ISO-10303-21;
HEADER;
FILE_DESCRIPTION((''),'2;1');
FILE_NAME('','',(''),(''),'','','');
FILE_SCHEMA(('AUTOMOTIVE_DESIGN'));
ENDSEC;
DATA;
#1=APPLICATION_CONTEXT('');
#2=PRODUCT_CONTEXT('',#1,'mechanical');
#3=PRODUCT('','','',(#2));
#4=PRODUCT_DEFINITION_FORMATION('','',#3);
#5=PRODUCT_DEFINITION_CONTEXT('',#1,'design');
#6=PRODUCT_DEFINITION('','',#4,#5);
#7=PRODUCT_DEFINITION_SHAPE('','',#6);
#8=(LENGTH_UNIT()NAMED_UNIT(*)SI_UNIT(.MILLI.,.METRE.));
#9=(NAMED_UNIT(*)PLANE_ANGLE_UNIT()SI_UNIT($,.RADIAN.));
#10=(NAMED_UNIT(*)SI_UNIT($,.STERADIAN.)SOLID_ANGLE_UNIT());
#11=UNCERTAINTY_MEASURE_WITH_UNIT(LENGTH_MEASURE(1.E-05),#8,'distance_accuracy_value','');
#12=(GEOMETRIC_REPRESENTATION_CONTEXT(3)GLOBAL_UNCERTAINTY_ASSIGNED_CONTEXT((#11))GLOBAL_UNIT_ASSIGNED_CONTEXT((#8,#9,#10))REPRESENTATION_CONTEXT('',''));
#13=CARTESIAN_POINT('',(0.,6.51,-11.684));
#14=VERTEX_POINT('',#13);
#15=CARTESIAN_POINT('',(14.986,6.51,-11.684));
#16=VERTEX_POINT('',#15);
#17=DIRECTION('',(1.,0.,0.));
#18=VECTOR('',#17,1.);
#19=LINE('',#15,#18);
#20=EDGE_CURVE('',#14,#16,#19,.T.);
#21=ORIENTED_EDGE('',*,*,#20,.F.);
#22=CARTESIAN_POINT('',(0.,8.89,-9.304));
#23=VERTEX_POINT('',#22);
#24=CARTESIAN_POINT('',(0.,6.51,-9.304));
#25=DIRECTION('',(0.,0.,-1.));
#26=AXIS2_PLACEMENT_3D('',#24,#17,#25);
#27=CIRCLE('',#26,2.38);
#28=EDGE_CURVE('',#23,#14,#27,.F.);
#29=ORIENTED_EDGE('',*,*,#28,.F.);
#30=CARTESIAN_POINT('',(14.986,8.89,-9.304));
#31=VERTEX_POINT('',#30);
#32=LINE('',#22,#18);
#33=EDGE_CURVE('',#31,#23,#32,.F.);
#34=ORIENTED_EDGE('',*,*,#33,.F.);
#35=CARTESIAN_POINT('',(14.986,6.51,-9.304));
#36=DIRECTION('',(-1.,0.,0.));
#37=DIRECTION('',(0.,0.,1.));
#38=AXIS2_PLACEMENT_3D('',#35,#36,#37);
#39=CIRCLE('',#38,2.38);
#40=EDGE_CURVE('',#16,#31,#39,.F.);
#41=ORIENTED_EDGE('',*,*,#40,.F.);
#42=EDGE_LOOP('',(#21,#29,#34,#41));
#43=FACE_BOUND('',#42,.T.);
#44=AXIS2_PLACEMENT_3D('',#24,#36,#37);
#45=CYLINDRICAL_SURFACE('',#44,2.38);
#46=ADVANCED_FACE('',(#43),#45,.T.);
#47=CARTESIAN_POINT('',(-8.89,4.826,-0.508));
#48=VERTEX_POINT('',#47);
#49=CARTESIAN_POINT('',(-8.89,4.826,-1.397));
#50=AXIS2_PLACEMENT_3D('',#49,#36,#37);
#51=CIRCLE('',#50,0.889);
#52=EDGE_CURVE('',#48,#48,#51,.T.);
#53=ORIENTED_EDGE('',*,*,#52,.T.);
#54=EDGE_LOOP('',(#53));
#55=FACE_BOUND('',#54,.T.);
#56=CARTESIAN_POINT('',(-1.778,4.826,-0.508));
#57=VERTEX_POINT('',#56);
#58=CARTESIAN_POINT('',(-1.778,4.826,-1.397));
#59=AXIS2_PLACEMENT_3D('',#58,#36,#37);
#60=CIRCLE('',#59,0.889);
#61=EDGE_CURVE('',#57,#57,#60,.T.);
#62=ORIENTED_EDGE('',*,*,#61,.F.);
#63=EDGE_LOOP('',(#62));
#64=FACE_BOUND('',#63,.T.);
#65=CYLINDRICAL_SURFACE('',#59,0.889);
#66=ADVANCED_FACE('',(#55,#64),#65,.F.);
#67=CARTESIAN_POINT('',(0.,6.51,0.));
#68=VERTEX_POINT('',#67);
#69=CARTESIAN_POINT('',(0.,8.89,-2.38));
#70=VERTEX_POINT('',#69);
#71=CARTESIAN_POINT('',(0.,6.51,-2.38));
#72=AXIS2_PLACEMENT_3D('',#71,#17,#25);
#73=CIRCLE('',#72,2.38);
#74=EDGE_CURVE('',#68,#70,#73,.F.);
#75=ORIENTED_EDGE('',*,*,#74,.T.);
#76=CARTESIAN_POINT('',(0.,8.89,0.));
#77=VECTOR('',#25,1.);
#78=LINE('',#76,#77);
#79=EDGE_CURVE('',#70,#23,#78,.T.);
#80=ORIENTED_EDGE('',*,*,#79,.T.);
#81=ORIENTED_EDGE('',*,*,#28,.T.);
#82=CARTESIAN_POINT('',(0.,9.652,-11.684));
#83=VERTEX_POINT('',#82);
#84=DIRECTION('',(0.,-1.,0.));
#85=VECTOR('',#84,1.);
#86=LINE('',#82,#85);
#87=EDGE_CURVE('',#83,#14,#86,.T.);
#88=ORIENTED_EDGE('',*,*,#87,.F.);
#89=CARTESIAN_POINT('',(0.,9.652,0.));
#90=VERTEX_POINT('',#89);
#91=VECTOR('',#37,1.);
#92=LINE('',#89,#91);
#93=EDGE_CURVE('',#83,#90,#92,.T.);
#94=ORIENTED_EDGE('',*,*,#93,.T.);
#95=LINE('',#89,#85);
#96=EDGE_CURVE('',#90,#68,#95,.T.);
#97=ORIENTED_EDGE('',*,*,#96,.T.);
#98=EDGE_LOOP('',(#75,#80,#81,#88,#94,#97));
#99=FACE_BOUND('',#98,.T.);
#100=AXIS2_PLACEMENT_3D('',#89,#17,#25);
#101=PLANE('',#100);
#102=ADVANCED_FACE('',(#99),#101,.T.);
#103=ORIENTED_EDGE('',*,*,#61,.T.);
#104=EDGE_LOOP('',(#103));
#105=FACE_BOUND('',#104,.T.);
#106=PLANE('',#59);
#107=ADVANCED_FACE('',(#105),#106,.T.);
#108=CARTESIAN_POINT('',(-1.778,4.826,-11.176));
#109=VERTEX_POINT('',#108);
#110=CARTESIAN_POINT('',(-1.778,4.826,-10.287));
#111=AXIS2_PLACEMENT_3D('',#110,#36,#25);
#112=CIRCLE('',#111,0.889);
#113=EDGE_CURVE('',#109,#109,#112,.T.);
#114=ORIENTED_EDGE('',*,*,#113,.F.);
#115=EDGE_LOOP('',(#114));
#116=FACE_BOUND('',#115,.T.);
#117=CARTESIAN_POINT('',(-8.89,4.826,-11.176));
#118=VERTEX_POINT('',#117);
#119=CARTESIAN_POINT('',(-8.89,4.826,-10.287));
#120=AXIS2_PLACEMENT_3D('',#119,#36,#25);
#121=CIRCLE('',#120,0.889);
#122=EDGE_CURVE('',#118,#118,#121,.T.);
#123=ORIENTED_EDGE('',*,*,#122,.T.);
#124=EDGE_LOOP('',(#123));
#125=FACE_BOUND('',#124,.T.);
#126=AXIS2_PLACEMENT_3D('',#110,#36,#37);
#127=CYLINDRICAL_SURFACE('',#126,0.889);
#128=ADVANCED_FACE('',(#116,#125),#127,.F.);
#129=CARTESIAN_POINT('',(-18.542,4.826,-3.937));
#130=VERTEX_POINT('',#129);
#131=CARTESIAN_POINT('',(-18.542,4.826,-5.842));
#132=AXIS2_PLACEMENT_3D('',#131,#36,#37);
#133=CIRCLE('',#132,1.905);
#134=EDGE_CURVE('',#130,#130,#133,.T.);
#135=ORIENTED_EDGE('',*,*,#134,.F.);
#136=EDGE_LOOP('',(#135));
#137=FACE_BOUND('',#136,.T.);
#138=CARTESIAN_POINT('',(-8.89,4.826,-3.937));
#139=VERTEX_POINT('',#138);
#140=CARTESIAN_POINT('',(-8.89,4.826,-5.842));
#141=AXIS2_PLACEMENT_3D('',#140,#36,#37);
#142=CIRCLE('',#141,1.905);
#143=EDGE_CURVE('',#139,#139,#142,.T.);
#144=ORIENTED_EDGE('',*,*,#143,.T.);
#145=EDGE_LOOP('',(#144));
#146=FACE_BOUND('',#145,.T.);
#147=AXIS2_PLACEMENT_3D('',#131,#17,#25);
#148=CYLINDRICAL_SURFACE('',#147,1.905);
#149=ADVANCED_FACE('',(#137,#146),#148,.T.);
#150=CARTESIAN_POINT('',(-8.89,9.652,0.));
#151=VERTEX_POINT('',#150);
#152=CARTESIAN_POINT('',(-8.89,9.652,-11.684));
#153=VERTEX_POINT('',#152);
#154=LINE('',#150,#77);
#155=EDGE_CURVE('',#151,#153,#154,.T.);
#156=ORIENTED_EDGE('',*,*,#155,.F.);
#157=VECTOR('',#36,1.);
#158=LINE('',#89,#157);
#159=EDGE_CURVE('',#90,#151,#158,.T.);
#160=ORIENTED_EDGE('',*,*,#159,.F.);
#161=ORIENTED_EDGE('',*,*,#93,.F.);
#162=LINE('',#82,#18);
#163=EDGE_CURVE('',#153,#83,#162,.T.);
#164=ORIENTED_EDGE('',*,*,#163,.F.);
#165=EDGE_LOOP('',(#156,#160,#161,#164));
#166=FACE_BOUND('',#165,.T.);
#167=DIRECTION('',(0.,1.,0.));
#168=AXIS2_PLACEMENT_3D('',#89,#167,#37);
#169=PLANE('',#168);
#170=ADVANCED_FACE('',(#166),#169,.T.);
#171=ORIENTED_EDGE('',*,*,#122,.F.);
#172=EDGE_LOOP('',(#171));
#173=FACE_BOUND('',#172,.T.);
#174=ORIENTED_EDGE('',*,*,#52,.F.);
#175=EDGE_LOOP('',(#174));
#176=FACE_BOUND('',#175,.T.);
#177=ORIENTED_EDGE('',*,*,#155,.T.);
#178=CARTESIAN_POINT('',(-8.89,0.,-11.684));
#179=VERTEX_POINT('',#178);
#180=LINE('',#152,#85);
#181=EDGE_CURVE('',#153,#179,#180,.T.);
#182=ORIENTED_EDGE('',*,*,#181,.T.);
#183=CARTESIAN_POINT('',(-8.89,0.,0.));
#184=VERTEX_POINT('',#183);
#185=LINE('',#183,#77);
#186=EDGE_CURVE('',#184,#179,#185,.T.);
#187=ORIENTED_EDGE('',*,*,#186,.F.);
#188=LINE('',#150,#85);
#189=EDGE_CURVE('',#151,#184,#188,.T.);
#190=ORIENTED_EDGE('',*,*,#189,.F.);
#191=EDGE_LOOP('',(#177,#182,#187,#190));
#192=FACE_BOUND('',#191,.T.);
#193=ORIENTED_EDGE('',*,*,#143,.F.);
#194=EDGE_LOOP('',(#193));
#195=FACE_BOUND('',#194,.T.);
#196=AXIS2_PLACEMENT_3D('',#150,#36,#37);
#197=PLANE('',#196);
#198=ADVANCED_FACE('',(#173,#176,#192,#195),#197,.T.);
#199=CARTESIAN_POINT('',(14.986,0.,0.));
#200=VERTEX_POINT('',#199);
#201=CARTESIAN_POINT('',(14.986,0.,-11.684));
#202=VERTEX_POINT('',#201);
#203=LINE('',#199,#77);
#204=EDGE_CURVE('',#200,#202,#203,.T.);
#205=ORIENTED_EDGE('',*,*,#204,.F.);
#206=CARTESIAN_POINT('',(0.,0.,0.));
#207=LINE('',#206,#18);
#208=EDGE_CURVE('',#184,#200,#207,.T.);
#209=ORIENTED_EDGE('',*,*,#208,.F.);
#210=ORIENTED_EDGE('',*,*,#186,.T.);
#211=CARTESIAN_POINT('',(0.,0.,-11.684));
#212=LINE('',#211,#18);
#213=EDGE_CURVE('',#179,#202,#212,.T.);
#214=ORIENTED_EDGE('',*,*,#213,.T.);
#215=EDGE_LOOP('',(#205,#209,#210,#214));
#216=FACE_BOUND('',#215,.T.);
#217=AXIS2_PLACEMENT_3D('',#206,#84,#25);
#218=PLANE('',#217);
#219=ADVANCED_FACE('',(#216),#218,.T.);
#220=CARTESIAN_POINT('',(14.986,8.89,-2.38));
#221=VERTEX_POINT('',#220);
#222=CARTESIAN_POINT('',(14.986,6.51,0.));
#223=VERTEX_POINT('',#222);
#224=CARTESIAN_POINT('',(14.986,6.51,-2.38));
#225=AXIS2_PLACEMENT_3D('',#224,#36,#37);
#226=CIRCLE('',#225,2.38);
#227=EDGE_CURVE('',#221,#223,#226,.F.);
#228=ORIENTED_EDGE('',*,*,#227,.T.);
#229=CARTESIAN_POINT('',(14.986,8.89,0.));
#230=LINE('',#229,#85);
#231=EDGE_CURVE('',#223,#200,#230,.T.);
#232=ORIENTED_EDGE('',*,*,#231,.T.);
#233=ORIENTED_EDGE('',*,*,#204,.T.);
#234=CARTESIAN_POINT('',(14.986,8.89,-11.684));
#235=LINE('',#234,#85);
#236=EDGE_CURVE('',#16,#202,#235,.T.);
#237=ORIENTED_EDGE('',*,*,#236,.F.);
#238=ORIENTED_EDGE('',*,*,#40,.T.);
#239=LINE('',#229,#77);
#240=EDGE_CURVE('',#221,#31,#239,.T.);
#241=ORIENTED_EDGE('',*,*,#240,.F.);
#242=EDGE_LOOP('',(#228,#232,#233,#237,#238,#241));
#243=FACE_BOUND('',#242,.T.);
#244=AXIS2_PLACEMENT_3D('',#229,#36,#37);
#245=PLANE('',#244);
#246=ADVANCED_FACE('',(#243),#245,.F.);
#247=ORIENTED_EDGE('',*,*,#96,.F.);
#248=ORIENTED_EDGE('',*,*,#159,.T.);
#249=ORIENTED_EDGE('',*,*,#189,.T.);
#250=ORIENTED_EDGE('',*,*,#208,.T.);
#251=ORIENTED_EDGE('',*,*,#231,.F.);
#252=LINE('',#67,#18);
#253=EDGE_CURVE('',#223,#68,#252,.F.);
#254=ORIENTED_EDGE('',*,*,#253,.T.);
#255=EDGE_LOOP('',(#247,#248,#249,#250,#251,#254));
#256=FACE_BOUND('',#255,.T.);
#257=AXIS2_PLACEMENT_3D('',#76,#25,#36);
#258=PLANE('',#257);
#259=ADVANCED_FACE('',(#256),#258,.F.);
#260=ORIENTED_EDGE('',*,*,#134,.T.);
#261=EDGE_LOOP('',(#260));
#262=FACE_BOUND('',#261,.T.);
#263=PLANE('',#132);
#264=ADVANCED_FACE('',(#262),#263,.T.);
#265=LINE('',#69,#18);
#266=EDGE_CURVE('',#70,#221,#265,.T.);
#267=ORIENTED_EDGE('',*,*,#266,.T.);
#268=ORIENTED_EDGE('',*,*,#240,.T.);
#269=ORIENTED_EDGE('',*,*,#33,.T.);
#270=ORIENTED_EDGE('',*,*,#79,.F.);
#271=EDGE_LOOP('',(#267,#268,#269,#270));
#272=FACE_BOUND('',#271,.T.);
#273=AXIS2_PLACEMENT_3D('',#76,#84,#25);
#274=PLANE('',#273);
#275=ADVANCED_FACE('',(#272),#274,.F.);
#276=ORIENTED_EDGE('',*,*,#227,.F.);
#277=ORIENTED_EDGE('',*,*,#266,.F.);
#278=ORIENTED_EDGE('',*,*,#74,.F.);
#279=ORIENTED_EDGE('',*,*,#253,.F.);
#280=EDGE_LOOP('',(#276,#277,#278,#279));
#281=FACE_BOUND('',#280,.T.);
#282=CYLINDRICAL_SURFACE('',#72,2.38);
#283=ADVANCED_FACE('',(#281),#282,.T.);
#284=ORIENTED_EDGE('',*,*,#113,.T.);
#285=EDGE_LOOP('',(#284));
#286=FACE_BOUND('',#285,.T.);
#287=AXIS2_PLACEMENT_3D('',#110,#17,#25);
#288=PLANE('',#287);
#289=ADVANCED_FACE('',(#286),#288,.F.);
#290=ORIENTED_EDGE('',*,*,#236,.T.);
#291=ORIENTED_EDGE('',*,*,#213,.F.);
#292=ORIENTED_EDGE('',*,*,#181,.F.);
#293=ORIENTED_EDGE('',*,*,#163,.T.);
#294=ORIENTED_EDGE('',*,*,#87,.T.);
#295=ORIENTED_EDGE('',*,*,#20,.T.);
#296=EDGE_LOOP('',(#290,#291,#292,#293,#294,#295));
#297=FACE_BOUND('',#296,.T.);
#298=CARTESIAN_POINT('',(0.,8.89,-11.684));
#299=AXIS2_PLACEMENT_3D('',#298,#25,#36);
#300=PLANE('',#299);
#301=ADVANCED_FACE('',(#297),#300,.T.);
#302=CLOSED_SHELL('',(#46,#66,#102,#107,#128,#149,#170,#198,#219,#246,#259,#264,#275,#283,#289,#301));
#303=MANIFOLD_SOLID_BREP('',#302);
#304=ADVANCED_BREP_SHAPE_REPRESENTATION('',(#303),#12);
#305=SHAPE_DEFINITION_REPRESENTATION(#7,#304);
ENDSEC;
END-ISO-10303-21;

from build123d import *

# Parameters (mm, degrees)
SKETCH1_W           = 14.986
SKETCH1_H           = 11.684
BOSS_EXTRUDE2_DEPTH = 8.89
SKETCH3_W           = 8.89
SKETCH3_H           = 11.684
BOSS_EXTRUDE4_DEPTH = 9.652
FILLET1_R           = 2.38
SKETCH4_R           = 1.905
BOSS_EXTRUDE5_DEPTH = 9.652
SKETCH5_R           = 0.889
CUT_EXTRUDE1_DEPTH  = 7.112


with BuildPart() as part:
    # Sketch1 → Boss-Extrude2 (new body)
    with BuildSketch(Plane(origin=(0, 0, 0), x_dir=(1, 0, 0), z_dir=(0, 1, 0))):
        with Locations((7.493, 5.842)):
            Rectangle(SKETCH1_W, SKETCH1_H)
    extrude(amount=BOSS_EXTRUDE2_DEPTH)

    # Sketch3 → Boss-Extrude4 (add)
    with BuildSketch(Plane.XZ):
        with Locations((-4.445, -5.842)):
            Rectangle(SKETCH3_W, SKETCH3_H)
    extrude(amount=-BOSS_EXTRUDE4_DEPTH)

    # Fillet1
    fillet1_edges = [part.edges().sort_by_distance(p)[0] for p in [
        (7.493, 8.89, 0),
        (7.493, 8.89, -11.684),
    ]]
    fillet(fillet1_edges, radius=FILLET1_R)

    # Sketch4 → Boss-Extrude5 (add)
    with BuildSketch(Plane.ZY.offset(8.89)):
        with Locations((-5.842, 4.826)):
            Circle(SKETCH4_R)
    extrude(amount=BOSS_EXTRUDE5_DEPTH)

    # Sketch5 → Cut-Extrude1 (cut)
    with BuildSketch(Plane.ZY.offset(8.89)):
        with Locations((-1.397, 4.826)):
            Circle(SKETCH5_R)
        with Locations((-10.287, 4.826)):
            Circle(SKETCH5_R)
    extrude(amount=-CUT_EXTRUDE1_DEPTH, mode=Mode.SUBTRACT)


solid = part.part
